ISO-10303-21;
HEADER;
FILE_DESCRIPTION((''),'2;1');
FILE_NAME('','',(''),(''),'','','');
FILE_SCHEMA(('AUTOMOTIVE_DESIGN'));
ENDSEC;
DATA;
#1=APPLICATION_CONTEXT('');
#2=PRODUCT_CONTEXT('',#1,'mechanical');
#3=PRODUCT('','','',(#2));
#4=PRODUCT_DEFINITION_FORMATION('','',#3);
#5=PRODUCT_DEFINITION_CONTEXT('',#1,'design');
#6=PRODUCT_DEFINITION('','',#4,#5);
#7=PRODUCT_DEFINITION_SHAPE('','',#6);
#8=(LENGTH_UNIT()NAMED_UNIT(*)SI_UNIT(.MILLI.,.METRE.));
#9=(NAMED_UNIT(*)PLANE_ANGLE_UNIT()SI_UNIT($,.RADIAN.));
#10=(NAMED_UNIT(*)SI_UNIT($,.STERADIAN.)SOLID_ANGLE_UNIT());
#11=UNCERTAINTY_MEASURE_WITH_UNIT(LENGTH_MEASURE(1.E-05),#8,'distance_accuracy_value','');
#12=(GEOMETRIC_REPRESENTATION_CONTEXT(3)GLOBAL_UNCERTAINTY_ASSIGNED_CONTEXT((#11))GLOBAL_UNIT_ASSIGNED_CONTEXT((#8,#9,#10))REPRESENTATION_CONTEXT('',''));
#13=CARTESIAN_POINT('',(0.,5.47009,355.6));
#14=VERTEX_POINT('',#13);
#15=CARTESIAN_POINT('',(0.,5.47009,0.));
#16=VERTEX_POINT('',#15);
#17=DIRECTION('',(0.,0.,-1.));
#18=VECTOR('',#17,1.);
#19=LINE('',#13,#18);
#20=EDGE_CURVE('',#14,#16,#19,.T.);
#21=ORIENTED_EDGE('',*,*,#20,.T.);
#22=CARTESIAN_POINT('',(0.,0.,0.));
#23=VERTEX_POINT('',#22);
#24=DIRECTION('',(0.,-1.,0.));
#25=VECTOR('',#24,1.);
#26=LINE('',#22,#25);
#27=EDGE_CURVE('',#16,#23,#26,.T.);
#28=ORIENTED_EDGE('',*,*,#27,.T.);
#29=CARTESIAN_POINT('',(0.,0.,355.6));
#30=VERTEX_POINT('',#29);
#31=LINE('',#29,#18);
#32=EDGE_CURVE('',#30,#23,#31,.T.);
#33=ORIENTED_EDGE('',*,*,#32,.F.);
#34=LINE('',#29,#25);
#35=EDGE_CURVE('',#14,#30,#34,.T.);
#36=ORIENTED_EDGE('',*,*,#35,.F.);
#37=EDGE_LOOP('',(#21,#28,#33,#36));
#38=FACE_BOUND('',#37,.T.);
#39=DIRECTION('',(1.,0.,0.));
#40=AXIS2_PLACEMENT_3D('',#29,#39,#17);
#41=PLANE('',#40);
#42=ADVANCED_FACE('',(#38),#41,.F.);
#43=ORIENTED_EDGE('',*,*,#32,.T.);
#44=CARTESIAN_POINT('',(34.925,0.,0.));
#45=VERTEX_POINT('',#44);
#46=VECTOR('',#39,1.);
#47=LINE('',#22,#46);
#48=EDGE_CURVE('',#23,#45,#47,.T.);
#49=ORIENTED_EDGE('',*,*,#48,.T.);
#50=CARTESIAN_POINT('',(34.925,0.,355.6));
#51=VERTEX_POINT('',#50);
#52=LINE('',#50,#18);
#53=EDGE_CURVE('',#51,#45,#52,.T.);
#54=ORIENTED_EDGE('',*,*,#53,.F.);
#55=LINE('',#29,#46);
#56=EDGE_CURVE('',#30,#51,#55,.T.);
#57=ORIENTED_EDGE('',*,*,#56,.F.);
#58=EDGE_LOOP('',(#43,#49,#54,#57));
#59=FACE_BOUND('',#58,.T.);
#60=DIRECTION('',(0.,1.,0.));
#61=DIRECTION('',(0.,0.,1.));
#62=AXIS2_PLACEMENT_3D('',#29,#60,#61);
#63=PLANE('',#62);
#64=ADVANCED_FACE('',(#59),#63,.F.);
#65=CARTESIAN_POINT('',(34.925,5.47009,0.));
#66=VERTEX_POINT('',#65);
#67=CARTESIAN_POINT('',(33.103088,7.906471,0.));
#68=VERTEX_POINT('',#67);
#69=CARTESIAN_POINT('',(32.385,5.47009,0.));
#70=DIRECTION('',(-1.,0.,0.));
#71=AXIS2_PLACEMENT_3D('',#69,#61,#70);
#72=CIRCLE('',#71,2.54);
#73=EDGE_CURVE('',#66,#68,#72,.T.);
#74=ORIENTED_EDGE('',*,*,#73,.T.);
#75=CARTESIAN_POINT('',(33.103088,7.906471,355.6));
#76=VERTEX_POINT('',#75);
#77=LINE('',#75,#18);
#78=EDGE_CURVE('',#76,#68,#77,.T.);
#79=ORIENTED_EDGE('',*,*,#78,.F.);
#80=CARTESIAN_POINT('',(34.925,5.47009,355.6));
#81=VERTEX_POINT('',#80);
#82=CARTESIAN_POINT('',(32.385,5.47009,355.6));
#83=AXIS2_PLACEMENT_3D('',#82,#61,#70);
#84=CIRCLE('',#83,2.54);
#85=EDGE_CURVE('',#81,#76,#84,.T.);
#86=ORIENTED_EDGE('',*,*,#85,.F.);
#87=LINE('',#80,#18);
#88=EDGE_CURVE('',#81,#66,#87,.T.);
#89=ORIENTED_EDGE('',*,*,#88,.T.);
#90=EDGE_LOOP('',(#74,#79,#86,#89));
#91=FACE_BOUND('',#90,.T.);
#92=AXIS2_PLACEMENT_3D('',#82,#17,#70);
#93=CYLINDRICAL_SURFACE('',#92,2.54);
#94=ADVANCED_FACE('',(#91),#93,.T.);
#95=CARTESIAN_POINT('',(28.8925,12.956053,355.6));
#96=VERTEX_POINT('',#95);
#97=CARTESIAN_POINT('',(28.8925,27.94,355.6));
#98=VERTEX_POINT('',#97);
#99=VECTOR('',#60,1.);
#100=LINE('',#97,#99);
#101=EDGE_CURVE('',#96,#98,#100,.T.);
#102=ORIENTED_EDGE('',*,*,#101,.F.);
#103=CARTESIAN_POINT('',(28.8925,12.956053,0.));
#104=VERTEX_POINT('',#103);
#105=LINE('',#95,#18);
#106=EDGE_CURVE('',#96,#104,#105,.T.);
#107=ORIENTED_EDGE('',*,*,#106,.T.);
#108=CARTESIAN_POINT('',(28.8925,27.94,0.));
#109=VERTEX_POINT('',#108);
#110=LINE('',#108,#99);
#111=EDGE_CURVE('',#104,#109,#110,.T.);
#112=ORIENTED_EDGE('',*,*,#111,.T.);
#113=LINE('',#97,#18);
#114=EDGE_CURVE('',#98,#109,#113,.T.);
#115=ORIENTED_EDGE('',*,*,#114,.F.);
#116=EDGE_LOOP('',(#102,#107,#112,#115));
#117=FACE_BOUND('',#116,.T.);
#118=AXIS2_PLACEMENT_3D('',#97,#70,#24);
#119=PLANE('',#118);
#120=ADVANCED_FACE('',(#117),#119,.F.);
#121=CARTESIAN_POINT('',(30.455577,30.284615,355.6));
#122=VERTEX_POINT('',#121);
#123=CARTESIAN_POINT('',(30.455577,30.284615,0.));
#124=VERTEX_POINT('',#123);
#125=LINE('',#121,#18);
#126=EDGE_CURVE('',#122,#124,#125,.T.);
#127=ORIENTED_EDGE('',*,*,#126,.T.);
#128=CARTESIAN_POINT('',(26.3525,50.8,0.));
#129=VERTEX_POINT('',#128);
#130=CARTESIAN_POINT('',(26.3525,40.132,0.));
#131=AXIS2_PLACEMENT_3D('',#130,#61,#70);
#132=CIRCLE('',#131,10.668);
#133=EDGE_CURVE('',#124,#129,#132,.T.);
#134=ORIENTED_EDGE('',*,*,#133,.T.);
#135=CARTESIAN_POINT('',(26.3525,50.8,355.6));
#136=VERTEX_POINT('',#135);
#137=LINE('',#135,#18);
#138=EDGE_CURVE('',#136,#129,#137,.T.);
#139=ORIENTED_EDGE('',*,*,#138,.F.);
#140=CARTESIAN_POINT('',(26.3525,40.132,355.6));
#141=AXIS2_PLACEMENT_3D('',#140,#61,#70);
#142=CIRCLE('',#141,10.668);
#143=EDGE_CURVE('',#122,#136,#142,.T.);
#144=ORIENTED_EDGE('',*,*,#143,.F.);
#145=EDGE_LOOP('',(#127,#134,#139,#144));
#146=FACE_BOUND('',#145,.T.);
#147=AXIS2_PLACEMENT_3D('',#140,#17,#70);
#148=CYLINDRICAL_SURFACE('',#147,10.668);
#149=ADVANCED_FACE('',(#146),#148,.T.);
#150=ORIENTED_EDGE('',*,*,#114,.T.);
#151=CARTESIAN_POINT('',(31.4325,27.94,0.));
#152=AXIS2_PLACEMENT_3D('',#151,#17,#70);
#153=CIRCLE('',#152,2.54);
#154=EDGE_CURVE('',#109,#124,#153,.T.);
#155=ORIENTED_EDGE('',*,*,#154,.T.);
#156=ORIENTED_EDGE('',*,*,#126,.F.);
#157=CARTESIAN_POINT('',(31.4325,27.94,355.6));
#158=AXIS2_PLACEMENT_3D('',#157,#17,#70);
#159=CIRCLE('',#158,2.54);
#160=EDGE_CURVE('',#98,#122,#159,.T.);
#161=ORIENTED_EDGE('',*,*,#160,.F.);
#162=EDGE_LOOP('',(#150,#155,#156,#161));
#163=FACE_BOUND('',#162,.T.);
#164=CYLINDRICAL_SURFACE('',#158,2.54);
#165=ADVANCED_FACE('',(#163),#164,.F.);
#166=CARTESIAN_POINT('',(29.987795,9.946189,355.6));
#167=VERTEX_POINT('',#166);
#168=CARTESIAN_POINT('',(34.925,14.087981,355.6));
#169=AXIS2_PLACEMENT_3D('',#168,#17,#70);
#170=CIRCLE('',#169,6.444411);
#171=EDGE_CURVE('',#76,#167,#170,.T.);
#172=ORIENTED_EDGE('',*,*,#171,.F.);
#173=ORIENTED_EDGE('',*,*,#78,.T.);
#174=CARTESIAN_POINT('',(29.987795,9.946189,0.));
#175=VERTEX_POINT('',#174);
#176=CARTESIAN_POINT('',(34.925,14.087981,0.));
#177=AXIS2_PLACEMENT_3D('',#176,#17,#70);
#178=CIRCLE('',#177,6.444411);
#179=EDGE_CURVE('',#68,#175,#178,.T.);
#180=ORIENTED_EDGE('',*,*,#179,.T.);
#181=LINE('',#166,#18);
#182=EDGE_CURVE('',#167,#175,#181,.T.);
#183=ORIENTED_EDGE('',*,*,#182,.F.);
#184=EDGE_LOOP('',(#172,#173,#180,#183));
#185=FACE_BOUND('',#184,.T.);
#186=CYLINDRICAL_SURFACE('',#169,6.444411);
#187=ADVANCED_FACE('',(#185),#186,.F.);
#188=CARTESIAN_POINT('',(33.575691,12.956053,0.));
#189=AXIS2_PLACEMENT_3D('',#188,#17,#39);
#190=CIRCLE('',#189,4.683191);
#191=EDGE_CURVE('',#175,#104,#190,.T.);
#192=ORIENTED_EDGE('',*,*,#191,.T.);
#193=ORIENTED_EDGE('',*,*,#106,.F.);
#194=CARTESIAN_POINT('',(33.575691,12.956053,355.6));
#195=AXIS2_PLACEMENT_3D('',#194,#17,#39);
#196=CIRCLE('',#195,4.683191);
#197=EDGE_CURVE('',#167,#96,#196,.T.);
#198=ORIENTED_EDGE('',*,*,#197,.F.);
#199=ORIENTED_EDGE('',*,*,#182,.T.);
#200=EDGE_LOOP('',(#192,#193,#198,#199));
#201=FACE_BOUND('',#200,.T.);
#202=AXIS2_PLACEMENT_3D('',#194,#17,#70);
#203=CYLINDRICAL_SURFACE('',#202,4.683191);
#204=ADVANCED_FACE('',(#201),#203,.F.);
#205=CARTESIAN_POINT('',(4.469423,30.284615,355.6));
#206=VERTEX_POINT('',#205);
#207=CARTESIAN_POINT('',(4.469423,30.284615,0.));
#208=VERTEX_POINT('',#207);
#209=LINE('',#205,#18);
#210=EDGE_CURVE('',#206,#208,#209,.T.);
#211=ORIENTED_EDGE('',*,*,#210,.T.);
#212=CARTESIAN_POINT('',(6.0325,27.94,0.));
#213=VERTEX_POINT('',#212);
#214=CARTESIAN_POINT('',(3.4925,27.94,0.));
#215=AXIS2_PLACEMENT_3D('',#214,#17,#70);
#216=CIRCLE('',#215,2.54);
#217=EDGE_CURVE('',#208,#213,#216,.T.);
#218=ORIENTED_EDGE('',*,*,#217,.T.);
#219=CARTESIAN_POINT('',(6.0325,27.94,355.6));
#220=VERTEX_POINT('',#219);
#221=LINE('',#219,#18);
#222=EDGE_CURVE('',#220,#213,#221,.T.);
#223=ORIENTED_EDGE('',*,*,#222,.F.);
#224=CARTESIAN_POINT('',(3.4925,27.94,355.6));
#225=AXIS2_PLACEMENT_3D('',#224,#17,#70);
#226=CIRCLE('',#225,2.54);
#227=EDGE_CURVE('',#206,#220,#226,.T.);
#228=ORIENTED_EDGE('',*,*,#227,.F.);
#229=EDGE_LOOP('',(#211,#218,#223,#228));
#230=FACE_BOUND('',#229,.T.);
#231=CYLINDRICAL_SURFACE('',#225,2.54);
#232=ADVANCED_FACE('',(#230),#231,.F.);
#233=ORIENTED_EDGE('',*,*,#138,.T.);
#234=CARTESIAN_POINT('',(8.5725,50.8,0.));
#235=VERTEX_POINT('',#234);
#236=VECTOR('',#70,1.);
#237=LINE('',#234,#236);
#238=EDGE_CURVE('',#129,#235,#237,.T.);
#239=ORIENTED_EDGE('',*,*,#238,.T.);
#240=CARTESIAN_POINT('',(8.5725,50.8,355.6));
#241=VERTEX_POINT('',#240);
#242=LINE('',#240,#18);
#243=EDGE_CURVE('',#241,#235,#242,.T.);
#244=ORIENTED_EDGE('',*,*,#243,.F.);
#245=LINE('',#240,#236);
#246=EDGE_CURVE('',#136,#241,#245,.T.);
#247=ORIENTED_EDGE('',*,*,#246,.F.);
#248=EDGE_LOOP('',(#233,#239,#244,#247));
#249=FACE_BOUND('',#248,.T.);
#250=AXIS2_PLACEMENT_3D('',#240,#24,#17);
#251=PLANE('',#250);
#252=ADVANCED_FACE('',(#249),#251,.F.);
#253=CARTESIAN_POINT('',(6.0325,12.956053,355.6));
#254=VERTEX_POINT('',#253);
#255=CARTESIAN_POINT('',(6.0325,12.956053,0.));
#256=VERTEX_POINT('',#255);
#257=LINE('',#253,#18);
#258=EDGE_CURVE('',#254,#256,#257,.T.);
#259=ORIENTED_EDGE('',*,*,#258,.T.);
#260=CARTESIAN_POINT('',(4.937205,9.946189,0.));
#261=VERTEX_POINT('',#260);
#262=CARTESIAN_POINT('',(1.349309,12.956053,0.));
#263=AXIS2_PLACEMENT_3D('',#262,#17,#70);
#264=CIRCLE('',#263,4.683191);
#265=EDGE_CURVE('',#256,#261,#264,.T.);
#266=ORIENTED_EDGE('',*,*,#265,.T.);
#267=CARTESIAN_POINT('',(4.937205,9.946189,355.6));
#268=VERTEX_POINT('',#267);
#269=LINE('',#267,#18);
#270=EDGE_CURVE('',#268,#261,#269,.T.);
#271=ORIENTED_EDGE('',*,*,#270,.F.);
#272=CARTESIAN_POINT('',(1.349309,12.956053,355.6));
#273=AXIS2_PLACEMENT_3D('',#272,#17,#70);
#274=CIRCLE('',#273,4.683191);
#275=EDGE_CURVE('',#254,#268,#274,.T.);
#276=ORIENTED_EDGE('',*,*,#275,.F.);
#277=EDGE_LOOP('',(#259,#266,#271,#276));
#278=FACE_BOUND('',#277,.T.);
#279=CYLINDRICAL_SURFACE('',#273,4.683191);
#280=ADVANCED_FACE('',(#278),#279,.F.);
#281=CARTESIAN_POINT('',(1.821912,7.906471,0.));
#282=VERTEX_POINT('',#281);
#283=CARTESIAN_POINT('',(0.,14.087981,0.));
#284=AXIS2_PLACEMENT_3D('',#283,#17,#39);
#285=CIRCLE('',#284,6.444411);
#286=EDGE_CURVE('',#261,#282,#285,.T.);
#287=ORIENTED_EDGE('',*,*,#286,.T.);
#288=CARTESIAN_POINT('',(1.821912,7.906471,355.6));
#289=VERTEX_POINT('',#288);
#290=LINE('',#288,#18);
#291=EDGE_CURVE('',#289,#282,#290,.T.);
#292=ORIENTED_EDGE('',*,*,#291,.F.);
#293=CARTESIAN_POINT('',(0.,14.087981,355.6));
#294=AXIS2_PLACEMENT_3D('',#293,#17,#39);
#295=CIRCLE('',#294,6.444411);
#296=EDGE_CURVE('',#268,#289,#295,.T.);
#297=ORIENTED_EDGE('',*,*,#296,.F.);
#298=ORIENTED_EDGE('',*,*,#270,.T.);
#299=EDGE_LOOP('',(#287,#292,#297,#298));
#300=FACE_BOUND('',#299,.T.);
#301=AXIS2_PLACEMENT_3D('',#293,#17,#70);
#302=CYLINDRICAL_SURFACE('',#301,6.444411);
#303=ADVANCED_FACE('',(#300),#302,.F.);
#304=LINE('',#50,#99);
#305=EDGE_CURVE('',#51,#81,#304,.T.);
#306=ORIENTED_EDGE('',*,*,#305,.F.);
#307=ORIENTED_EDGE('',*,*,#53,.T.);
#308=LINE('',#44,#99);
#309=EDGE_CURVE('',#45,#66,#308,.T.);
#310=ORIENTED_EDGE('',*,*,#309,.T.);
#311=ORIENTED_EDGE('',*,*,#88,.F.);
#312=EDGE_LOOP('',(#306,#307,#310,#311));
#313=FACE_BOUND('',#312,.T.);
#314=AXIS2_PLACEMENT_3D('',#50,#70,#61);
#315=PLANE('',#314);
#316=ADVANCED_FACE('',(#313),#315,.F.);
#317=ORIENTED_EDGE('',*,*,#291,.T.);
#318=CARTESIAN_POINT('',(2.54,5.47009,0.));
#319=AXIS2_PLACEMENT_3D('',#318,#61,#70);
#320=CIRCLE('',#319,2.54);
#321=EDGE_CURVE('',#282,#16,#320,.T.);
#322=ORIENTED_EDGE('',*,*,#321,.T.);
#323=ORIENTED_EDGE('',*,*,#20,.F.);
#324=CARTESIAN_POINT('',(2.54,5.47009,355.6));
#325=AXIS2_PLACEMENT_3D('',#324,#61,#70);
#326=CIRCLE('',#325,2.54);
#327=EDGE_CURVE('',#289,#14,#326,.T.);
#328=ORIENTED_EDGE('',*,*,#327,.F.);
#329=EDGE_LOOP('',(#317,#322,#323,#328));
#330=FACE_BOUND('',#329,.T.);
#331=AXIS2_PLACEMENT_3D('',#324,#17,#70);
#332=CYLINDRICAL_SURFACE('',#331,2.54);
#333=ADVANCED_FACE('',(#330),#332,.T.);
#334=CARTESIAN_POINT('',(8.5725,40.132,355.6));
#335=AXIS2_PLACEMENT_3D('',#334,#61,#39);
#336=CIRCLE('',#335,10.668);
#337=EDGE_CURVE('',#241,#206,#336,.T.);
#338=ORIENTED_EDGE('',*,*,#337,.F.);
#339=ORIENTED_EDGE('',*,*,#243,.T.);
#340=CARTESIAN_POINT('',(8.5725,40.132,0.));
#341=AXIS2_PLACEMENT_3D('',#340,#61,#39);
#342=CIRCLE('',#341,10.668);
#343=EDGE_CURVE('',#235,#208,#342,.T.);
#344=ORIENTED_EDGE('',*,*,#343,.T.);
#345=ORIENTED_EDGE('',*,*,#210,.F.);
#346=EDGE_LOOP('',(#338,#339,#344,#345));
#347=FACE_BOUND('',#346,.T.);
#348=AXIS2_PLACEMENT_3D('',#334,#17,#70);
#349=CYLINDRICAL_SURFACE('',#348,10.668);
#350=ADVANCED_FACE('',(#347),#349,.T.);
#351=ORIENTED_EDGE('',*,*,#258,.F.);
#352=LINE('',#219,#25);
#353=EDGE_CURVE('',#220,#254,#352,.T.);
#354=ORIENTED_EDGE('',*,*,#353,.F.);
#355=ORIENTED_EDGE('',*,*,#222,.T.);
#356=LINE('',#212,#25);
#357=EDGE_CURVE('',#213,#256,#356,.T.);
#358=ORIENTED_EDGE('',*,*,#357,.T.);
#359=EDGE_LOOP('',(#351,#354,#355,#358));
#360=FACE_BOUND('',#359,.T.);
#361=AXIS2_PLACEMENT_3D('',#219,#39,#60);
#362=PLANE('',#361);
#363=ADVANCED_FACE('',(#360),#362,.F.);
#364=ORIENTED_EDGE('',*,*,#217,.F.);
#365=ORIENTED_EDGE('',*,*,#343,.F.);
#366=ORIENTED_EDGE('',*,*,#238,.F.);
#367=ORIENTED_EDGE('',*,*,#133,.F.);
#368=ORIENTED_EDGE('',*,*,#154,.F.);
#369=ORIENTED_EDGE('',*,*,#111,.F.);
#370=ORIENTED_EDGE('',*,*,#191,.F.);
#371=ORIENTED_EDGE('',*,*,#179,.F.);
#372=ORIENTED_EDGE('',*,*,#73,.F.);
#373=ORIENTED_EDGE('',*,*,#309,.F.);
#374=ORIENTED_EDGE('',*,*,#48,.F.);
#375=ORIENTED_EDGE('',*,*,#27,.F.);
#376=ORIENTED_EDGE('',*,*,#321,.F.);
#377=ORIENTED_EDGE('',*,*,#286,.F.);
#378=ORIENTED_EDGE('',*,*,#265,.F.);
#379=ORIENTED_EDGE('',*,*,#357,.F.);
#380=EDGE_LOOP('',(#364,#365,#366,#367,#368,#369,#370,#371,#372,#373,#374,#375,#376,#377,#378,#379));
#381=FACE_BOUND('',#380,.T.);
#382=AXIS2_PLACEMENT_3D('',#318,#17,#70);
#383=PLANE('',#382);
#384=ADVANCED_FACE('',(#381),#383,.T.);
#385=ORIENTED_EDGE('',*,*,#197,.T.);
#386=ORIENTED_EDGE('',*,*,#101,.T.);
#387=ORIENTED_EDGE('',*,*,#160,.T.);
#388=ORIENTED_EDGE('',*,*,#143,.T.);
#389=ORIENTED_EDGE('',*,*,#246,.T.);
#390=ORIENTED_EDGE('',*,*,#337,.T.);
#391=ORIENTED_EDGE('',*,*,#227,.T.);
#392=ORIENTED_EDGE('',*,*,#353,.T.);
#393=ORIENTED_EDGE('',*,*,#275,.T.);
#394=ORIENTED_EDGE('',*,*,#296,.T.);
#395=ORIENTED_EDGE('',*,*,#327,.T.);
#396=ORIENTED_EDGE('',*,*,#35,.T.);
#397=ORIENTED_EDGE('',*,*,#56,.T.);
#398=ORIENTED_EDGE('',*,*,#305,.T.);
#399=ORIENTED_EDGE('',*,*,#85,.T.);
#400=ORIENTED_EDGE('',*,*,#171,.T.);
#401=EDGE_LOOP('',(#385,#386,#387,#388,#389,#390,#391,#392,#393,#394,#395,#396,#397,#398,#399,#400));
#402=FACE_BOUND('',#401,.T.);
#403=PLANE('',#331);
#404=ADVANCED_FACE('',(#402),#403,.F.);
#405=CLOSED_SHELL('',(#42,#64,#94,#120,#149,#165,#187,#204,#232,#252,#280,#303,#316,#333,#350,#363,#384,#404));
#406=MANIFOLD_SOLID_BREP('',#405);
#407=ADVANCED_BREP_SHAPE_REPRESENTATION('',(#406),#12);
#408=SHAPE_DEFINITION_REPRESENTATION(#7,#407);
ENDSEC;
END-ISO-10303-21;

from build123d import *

# Parameters (mm, degrees)
BASE_EXTRUDE_DEPTH = 355.6


with BuildPart() as part:
    # Sketch1 → Base-Extrude (new body)
    with BuildSketch(Plane.XY):
        with BuildLine():
            Line((0, 0), (34.925, 0))
            Line((34.925, 0), (34.925, 5.470090329))
            ThreePointArc((34.925, 5.470090329), (34.41915145, 6.991217504), (33.103088283, 7.906470681))
            ThreePointArc((33.103088283, 7.906470681), (31.394911277, 8.696422297), (29.987795308, 9.946189033))
            ThreePointArc((29.987795308, 9.946189033), (29.174834337, 11.354573038), (28.8925, 12.956053095))
            Line((28.8925, 12.956053095), (28.8925, 27.94))
            ThreePointArc((28.8925, 27.94), (29.319092252, 29.348938498), (30.455576923, 30.284615385))
            ThreePointArc((30.455576923, 30.284615385), (36.813334648, 42.22416693), (26.3525, 50.8))
            Line((26.3525, 50.8), (8.5725, 50.8))
            ThreePointArc((8.5725, 50.8), (-1.888334648, 42.22416693), (4.469423077, 30.284615385))
            ThreePointArc((4.469423077, 30.284615385), (5.605907748, 29.348938498), (6.0325, 27.94))
            Line((6.0325, 27.94), (6.0325, 12.956053095))
            ThreePointArc((6.0325, 12.956053095), (5.750165663, 11.354573038), (4.937204692, 9.946189033))
            ThreePointArc((4.937204692, 9.946189033), (3.530088723, 8.696422297), (1.821911717, 7.906470681))
            ThreePointArc((1.821911717, 7.906470681), (0.50584855, 6.991217504), (0, 5.470090329))
            Line((0, 5.470090329), (0, 0))
        make_face()
    extrude(amount=BASE_EXTRUDE_DEPTH)


solid = part.part
